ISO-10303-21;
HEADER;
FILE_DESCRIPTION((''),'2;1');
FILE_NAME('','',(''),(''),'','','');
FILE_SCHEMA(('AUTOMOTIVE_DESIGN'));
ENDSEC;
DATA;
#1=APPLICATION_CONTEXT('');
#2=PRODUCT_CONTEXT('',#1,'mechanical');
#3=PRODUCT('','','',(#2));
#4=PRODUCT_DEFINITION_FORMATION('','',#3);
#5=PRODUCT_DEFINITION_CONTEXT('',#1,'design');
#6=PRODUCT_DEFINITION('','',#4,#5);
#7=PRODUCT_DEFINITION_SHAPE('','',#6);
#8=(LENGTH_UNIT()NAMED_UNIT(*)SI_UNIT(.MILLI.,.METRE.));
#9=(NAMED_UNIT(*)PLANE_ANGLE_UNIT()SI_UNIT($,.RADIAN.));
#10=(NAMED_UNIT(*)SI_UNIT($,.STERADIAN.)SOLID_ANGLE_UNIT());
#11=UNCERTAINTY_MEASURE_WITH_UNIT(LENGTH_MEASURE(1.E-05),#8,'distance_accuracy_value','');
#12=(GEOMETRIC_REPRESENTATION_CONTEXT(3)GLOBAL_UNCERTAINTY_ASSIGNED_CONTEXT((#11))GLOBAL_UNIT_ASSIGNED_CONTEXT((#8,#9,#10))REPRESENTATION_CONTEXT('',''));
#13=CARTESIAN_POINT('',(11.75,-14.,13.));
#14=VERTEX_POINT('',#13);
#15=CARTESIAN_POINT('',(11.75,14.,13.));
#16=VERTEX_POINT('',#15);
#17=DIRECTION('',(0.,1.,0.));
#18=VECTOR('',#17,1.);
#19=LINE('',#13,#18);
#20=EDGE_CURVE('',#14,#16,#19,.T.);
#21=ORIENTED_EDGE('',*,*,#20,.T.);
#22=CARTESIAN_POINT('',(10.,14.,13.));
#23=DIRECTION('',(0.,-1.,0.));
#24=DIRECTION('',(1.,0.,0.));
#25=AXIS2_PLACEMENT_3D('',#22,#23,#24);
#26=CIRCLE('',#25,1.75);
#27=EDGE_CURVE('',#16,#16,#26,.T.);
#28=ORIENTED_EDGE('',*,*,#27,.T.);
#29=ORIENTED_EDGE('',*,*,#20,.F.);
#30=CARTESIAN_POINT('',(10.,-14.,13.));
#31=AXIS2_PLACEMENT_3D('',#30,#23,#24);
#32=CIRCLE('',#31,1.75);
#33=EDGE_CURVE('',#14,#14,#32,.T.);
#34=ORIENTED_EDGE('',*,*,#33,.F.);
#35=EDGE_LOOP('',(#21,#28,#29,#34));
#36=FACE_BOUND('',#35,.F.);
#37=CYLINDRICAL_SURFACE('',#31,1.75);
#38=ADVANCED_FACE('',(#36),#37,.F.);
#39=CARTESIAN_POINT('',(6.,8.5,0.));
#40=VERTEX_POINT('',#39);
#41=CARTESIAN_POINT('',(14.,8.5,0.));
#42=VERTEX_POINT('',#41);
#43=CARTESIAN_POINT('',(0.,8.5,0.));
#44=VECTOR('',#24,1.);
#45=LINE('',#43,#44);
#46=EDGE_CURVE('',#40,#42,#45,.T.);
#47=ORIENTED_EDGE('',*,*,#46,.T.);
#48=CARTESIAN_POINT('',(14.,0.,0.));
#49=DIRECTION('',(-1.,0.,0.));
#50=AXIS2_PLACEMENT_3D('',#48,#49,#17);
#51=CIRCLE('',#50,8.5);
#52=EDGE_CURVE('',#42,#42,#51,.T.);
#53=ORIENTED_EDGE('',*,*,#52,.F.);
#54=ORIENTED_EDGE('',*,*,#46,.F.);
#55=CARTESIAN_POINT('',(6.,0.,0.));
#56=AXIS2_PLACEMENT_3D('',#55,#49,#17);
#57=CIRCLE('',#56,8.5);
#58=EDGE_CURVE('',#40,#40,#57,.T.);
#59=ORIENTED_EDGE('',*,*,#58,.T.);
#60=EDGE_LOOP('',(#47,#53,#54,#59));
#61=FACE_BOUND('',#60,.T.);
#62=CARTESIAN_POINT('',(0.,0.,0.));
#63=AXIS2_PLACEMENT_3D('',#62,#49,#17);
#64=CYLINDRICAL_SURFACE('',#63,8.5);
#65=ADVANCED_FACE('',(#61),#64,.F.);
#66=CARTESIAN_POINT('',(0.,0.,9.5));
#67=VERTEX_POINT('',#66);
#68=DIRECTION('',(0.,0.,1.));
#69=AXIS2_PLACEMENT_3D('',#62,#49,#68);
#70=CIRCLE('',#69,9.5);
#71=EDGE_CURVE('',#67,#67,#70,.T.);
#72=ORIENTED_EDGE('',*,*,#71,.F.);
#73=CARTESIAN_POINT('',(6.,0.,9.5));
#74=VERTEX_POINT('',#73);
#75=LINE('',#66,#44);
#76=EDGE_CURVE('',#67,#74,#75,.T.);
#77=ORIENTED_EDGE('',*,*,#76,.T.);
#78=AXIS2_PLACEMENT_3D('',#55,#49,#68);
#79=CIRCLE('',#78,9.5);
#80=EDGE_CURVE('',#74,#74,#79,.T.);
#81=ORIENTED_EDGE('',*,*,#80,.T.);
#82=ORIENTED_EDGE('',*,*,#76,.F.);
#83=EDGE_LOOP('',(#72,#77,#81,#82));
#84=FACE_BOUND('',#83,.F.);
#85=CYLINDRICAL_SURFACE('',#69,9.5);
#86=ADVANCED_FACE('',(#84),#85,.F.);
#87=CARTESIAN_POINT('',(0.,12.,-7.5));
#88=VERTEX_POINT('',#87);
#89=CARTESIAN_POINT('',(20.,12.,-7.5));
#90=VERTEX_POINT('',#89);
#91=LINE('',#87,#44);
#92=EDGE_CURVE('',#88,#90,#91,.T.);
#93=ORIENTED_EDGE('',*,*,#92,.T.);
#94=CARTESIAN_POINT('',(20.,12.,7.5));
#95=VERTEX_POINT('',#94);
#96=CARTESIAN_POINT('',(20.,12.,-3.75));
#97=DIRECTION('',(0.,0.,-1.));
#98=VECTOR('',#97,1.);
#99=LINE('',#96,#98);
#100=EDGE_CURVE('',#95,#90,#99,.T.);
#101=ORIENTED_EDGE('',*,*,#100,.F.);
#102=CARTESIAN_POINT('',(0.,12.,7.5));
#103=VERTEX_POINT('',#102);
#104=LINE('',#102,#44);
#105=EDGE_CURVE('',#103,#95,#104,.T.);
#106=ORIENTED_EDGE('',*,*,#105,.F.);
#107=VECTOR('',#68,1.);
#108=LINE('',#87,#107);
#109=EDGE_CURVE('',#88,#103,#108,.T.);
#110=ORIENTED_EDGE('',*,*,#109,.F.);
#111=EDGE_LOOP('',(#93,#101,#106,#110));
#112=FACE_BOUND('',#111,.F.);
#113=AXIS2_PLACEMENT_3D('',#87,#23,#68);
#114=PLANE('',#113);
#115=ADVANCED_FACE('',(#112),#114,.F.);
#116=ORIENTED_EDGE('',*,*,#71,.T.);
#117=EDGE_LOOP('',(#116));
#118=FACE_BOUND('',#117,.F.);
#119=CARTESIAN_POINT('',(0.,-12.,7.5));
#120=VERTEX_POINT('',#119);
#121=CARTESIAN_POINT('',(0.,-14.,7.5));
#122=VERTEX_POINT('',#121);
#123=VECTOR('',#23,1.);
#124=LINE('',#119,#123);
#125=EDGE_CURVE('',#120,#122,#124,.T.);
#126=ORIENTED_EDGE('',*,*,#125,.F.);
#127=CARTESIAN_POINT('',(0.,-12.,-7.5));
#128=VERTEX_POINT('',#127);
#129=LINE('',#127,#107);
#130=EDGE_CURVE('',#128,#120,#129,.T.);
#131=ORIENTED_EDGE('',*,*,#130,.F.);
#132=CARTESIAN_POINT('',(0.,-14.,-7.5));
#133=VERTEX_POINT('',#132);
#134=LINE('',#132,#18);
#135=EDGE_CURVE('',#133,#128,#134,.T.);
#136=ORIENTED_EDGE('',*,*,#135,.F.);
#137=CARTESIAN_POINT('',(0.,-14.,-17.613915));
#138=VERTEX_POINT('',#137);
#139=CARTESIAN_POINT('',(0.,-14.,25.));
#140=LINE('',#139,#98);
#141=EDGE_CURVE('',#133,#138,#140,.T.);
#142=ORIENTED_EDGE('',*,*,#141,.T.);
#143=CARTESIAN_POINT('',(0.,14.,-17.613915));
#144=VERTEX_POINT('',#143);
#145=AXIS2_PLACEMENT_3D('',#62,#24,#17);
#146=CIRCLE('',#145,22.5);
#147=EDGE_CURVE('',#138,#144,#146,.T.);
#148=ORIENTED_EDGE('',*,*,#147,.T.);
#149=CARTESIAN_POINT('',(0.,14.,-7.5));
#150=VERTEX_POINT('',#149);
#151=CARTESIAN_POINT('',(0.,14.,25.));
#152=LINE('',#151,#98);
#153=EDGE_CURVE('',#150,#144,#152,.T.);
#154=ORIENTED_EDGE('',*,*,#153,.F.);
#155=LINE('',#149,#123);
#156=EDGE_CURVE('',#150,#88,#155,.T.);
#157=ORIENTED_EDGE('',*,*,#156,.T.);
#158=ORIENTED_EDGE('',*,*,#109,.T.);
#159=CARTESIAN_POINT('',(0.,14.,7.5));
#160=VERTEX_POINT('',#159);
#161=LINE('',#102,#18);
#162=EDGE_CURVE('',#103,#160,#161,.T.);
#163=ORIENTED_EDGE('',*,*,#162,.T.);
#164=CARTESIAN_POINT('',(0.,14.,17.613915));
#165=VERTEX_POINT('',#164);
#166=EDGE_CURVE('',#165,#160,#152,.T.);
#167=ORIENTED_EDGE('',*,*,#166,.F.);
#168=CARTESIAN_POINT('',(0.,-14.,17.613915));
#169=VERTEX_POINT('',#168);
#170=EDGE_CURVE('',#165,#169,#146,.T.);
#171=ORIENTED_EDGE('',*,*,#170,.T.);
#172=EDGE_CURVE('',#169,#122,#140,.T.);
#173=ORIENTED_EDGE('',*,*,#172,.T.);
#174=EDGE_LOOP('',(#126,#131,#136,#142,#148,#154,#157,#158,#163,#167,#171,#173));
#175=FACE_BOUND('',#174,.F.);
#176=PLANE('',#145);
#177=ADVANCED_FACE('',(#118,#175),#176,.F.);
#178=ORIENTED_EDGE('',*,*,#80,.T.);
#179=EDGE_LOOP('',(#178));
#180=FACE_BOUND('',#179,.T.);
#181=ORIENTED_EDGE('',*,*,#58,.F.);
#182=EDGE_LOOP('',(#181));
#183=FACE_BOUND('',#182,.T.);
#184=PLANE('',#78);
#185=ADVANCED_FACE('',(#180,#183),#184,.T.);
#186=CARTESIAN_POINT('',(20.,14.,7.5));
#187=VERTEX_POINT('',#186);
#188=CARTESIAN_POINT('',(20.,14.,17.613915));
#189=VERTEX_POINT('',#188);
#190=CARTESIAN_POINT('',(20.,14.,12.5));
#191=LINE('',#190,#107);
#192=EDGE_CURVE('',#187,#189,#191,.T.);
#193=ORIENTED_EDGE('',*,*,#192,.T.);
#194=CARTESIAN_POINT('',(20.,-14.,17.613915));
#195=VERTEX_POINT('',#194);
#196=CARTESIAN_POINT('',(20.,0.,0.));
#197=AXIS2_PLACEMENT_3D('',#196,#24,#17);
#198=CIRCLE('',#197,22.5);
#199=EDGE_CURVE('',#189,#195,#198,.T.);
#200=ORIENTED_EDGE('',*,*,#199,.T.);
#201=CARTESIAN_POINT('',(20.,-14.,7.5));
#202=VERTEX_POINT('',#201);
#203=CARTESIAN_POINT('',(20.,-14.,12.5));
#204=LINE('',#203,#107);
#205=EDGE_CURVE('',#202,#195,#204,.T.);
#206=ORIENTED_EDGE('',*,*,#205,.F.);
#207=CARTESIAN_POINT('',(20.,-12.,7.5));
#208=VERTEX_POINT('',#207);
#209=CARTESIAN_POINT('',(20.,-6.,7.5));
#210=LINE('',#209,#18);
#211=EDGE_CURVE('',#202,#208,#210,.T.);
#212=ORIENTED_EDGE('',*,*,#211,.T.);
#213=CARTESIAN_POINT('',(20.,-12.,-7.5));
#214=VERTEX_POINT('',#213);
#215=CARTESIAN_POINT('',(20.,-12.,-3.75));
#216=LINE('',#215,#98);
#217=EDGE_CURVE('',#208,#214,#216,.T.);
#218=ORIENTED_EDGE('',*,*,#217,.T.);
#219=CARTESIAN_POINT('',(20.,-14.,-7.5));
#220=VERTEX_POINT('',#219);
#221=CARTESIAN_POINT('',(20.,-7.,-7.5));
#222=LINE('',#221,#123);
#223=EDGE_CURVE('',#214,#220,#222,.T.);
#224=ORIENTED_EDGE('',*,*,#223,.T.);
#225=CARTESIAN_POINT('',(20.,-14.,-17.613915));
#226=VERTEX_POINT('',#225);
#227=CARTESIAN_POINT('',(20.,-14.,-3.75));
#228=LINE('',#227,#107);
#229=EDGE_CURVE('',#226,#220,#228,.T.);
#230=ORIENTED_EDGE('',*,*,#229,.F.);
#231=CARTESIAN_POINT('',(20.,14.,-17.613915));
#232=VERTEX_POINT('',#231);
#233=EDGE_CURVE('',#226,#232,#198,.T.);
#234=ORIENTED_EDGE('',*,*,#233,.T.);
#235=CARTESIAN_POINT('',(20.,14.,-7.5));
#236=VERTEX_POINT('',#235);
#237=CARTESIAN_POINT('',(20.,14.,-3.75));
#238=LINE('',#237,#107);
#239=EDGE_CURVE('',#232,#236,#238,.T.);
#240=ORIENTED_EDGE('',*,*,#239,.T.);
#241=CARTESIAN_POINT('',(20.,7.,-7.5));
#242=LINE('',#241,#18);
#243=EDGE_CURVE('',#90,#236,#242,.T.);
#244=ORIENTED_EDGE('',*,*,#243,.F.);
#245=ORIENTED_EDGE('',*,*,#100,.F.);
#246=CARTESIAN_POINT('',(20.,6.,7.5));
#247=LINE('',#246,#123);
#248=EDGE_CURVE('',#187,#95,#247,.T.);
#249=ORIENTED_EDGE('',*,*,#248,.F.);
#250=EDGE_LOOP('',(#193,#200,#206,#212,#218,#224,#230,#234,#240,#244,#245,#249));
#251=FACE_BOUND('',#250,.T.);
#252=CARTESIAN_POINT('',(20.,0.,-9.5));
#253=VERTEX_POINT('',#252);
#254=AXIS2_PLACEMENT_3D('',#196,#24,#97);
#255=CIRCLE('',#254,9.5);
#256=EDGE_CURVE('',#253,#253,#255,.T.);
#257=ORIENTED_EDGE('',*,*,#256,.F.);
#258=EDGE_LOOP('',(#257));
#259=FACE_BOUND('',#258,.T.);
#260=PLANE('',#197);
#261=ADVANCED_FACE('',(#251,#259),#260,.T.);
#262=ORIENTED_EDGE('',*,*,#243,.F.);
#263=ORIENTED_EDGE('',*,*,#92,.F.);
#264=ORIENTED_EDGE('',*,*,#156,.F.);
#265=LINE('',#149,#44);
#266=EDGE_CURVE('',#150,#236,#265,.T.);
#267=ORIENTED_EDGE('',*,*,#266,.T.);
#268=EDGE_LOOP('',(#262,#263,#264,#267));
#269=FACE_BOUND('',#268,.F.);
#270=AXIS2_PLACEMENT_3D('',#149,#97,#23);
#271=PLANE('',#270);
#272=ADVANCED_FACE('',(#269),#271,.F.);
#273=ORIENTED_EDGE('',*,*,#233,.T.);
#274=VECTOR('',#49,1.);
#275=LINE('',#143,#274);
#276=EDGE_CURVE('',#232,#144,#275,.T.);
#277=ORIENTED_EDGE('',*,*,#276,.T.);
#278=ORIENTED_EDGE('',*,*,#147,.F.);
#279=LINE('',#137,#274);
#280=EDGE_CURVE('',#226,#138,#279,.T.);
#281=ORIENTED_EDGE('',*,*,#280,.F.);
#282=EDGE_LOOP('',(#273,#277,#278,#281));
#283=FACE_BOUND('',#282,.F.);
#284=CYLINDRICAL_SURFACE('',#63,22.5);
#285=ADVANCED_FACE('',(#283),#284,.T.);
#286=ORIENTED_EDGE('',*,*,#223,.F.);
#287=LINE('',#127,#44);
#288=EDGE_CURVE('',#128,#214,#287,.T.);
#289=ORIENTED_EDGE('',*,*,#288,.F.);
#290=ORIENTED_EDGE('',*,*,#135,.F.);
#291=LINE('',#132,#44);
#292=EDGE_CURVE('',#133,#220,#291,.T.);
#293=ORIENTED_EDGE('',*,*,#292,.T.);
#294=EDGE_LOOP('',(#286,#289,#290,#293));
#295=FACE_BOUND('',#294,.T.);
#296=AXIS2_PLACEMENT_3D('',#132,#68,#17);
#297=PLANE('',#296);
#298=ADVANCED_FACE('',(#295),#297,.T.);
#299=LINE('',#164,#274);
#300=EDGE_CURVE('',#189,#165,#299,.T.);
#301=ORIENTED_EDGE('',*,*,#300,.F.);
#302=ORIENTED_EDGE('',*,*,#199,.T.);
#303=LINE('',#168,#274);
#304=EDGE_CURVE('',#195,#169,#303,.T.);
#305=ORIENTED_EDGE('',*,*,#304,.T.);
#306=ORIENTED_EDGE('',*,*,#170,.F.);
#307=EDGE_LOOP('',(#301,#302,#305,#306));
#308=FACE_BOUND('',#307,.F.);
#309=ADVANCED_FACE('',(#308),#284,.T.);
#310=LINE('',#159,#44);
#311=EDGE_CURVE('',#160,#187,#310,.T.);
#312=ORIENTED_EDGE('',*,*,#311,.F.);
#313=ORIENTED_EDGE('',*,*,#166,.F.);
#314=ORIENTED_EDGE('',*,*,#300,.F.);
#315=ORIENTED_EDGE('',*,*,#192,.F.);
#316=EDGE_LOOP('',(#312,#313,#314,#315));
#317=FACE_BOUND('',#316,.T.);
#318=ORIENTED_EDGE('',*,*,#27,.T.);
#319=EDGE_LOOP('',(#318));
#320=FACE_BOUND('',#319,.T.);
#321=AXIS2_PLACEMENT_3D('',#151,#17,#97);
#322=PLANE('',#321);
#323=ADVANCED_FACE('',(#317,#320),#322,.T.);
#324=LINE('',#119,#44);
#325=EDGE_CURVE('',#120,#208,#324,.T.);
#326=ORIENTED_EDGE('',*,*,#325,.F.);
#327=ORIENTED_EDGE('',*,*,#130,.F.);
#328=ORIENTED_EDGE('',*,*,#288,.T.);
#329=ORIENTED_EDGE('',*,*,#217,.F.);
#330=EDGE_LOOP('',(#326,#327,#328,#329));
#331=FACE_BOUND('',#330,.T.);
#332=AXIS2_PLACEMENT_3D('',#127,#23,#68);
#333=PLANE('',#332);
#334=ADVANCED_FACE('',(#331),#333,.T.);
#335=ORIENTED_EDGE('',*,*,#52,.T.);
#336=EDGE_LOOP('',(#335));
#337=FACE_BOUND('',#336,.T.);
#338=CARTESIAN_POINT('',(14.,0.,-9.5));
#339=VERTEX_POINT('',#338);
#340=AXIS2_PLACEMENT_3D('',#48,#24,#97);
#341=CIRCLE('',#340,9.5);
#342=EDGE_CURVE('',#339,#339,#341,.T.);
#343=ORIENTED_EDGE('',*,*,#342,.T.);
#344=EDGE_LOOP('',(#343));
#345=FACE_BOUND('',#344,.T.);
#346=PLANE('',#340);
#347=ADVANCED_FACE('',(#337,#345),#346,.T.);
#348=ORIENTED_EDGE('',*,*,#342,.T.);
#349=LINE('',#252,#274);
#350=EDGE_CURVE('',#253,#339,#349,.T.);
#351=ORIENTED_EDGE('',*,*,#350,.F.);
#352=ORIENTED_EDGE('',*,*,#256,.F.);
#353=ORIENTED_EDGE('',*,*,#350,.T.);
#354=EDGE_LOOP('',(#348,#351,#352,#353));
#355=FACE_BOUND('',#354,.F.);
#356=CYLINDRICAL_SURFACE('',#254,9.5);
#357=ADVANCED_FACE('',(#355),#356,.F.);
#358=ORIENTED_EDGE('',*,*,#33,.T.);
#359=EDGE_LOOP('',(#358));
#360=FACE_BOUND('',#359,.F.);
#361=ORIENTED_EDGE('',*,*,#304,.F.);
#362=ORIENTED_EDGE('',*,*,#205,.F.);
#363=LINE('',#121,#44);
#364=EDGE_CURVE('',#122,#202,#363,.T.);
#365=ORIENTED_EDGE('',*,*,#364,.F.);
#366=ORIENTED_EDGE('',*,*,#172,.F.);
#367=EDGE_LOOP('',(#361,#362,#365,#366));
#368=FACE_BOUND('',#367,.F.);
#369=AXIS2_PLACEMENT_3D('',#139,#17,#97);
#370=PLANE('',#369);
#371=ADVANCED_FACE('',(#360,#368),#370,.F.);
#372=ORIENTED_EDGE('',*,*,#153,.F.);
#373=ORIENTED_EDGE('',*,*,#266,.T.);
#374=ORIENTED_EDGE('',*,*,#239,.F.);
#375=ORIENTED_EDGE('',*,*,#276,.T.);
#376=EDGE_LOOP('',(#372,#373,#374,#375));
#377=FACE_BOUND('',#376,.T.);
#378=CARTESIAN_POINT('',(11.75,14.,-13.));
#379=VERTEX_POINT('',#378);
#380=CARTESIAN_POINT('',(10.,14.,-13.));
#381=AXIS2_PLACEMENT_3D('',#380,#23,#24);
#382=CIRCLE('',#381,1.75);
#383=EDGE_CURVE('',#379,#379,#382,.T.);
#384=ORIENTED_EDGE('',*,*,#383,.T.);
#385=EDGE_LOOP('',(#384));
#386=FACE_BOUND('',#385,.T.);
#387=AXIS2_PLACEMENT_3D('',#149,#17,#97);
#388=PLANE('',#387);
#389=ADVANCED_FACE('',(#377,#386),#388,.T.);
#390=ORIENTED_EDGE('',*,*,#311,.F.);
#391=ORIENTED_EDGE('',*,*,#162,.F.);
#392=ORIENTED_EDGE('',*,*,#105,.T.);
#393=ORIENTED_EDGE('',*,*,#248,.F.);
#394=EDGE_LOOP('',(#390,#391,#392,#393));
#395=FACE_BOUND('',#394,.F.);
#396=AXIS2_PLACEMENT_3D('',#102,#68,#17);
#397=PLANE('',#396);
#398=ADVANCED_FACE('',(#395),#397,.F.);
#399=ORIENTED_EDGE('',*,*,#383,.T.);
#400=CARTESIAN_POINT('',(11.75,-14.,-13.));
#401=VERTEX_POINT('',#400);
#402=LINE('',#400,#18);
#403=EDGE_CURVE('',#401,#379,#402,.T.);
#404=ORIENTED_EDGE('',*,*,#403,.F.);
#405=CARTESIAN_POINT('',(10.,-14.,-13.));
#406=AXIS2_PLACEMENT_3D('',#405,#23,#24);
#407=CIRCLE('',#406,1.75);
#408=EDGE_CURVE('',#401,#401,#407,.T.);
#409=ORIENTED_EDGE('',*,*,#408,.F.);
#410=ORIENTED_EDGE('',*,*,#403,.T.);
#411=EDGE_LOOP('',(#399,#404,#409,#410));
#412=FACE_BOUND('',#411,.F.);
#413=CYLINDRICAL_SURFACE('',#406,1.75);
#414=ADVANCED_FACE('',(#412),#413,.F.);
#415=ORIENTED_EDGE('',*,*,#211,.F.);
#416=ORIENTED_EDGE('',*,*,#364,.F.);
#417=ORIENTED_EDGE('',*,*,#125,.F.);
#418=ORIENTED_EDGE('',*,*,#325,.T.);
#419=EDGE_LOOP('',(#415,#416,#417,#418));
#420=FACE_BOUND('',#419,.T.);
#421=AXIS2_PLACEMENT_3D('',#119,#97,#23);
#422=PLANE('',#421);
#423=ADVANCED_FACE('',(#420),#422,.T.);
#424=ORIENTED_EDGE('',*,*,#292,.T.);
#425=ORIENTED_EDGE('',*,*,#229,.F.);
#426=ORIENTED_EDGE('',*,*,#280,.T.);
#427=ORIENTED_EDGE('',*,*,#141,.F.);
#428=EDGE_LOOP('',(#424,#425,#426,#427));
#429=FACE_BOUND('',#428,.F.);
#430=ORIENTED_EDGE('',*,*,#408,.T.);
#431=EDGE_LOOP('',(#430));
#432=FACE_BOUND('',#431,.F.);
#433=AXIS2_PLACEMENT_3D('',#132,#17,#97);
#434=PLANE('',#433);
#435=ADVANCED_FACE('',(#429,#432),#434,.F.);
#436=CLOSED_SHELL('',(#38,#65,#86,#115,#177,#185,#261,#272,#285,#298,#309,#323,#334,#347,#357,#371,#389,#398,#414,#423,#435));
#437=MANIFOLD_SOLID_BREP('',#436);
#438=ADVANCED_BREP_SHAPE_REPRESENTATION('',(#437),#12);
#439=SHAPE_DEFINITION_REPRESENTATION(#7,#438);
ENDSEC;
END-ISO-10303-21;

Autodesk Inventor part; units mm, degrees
ref_plane "YZ Plane" through (0, 0, 0) normal (1, 0, 0) x (0, 1, 0)
ref_plane "XZ Plane" through (0, 0, 0) normal (0, 1, 0) x (-1, 0, 0)
ref_plane "XY Plane" through (0, 0, 0) normal (0, 0, 1) x (1, 0, 0)
sketch "Эскиз1" plane through (0, 0, 0) normal (1, 0, 0) x (0, 1, 0)
  circle A0 centre (0, 0) radius 8.5
  circle A1 centre (0, 0) radius 22.5
  dimension "d0" = 17
  dimension "d1" = 45
extrude "Выдавливание1" add sketch "Эскиз1" along normal blind 20
sketch "Эскиз2" plane through (20, 0, 0) normal (1, 0, 0) x (0, 0, -1)
  circle A0 centre (0, 0) radius 9.5
  dimension "d4" = 19
extrude "Выдавливание2" cut sketch "Эскиз2" against normal blind 6
sketch "Эскиз3" plane through (0, 0, 0) normal (-1, 0, 0) x (0, 0, 1)
  circle A0 centre (0, 0) radius 9.5
  dimension "d7" = 19
extrude "Выдавливание3" cut sketch "Эскиз3" against normal blind 6
sketch "Эскиз4" plane through (0, 0, 0) normal (-1, 0, 0) x (0, 0, 1)
  line L0 (0, 0) -> (-20.5063, 0) construction
  line L1 (-25, -34) -> (25, -34)
  line L2 (25, -34) -> (25, -14)
  line L3 (25, -14) -> (-25, -14)
  line L4 (-25, -14) -> (-25, -34)
  line L5 (0, 0) -> (0, -5.1582) construction
  line L6 (-25, 34) -> (25, 34)
  line L7 (25, 34) -> (25, 14)
  line L8 (25, 14) -> (-25, 14)
  line L9 (-25, 14) -> (-25, 34)
  line L10 (7.5, -14) -> (-7.5, -14)
  line L11 (-7.5, -14) -> (-7.5, -12)
  line L12 (-7.5, -12) -> (7.5, -12)
  line L13 (7.5, -12) -> (7.5, -14)
  line L14 (7.5, 14) -> (-7.5, 14)
  line L15 (-7.5, 14) -> (-7.5, 12)
  line L16 (-7.5, 12) -> (7.5, 12)
  line L17 (7.5, 12) -> (7.5, 14)
  dimension "d10" = 20
  dimension "d11" = 50
  dimension "d12" = 14
  dimension "d18" = 2
  dimension "d19" = 15
extrude "Выдавливание4" cut sketch "Эскиз4" against normal blind 50
sketch "Эскиз5" plane through (0, -14, -17.6139) normal (0, -1, 0) x (1, 0, 0)
  line L0 (0, 25.1139) -> (20, 25.1139) projected
  line L1 (10, 25.1139) -> (10, 12.2228) construction
  circle A0 centre (10, 30.6139) radius 1.75
  line L2 (0, 17.6139) -> (23.1932, 17.6139) construction
  circle A1 centre (10, 4.6139) radius 1.75
  dimension "d20" = 3.5
  dimension "d21" = 13
extrude "Выдавливание5" cut sketch "Эскиз5" against normal through all
properties part number "04-04-Кулак"
